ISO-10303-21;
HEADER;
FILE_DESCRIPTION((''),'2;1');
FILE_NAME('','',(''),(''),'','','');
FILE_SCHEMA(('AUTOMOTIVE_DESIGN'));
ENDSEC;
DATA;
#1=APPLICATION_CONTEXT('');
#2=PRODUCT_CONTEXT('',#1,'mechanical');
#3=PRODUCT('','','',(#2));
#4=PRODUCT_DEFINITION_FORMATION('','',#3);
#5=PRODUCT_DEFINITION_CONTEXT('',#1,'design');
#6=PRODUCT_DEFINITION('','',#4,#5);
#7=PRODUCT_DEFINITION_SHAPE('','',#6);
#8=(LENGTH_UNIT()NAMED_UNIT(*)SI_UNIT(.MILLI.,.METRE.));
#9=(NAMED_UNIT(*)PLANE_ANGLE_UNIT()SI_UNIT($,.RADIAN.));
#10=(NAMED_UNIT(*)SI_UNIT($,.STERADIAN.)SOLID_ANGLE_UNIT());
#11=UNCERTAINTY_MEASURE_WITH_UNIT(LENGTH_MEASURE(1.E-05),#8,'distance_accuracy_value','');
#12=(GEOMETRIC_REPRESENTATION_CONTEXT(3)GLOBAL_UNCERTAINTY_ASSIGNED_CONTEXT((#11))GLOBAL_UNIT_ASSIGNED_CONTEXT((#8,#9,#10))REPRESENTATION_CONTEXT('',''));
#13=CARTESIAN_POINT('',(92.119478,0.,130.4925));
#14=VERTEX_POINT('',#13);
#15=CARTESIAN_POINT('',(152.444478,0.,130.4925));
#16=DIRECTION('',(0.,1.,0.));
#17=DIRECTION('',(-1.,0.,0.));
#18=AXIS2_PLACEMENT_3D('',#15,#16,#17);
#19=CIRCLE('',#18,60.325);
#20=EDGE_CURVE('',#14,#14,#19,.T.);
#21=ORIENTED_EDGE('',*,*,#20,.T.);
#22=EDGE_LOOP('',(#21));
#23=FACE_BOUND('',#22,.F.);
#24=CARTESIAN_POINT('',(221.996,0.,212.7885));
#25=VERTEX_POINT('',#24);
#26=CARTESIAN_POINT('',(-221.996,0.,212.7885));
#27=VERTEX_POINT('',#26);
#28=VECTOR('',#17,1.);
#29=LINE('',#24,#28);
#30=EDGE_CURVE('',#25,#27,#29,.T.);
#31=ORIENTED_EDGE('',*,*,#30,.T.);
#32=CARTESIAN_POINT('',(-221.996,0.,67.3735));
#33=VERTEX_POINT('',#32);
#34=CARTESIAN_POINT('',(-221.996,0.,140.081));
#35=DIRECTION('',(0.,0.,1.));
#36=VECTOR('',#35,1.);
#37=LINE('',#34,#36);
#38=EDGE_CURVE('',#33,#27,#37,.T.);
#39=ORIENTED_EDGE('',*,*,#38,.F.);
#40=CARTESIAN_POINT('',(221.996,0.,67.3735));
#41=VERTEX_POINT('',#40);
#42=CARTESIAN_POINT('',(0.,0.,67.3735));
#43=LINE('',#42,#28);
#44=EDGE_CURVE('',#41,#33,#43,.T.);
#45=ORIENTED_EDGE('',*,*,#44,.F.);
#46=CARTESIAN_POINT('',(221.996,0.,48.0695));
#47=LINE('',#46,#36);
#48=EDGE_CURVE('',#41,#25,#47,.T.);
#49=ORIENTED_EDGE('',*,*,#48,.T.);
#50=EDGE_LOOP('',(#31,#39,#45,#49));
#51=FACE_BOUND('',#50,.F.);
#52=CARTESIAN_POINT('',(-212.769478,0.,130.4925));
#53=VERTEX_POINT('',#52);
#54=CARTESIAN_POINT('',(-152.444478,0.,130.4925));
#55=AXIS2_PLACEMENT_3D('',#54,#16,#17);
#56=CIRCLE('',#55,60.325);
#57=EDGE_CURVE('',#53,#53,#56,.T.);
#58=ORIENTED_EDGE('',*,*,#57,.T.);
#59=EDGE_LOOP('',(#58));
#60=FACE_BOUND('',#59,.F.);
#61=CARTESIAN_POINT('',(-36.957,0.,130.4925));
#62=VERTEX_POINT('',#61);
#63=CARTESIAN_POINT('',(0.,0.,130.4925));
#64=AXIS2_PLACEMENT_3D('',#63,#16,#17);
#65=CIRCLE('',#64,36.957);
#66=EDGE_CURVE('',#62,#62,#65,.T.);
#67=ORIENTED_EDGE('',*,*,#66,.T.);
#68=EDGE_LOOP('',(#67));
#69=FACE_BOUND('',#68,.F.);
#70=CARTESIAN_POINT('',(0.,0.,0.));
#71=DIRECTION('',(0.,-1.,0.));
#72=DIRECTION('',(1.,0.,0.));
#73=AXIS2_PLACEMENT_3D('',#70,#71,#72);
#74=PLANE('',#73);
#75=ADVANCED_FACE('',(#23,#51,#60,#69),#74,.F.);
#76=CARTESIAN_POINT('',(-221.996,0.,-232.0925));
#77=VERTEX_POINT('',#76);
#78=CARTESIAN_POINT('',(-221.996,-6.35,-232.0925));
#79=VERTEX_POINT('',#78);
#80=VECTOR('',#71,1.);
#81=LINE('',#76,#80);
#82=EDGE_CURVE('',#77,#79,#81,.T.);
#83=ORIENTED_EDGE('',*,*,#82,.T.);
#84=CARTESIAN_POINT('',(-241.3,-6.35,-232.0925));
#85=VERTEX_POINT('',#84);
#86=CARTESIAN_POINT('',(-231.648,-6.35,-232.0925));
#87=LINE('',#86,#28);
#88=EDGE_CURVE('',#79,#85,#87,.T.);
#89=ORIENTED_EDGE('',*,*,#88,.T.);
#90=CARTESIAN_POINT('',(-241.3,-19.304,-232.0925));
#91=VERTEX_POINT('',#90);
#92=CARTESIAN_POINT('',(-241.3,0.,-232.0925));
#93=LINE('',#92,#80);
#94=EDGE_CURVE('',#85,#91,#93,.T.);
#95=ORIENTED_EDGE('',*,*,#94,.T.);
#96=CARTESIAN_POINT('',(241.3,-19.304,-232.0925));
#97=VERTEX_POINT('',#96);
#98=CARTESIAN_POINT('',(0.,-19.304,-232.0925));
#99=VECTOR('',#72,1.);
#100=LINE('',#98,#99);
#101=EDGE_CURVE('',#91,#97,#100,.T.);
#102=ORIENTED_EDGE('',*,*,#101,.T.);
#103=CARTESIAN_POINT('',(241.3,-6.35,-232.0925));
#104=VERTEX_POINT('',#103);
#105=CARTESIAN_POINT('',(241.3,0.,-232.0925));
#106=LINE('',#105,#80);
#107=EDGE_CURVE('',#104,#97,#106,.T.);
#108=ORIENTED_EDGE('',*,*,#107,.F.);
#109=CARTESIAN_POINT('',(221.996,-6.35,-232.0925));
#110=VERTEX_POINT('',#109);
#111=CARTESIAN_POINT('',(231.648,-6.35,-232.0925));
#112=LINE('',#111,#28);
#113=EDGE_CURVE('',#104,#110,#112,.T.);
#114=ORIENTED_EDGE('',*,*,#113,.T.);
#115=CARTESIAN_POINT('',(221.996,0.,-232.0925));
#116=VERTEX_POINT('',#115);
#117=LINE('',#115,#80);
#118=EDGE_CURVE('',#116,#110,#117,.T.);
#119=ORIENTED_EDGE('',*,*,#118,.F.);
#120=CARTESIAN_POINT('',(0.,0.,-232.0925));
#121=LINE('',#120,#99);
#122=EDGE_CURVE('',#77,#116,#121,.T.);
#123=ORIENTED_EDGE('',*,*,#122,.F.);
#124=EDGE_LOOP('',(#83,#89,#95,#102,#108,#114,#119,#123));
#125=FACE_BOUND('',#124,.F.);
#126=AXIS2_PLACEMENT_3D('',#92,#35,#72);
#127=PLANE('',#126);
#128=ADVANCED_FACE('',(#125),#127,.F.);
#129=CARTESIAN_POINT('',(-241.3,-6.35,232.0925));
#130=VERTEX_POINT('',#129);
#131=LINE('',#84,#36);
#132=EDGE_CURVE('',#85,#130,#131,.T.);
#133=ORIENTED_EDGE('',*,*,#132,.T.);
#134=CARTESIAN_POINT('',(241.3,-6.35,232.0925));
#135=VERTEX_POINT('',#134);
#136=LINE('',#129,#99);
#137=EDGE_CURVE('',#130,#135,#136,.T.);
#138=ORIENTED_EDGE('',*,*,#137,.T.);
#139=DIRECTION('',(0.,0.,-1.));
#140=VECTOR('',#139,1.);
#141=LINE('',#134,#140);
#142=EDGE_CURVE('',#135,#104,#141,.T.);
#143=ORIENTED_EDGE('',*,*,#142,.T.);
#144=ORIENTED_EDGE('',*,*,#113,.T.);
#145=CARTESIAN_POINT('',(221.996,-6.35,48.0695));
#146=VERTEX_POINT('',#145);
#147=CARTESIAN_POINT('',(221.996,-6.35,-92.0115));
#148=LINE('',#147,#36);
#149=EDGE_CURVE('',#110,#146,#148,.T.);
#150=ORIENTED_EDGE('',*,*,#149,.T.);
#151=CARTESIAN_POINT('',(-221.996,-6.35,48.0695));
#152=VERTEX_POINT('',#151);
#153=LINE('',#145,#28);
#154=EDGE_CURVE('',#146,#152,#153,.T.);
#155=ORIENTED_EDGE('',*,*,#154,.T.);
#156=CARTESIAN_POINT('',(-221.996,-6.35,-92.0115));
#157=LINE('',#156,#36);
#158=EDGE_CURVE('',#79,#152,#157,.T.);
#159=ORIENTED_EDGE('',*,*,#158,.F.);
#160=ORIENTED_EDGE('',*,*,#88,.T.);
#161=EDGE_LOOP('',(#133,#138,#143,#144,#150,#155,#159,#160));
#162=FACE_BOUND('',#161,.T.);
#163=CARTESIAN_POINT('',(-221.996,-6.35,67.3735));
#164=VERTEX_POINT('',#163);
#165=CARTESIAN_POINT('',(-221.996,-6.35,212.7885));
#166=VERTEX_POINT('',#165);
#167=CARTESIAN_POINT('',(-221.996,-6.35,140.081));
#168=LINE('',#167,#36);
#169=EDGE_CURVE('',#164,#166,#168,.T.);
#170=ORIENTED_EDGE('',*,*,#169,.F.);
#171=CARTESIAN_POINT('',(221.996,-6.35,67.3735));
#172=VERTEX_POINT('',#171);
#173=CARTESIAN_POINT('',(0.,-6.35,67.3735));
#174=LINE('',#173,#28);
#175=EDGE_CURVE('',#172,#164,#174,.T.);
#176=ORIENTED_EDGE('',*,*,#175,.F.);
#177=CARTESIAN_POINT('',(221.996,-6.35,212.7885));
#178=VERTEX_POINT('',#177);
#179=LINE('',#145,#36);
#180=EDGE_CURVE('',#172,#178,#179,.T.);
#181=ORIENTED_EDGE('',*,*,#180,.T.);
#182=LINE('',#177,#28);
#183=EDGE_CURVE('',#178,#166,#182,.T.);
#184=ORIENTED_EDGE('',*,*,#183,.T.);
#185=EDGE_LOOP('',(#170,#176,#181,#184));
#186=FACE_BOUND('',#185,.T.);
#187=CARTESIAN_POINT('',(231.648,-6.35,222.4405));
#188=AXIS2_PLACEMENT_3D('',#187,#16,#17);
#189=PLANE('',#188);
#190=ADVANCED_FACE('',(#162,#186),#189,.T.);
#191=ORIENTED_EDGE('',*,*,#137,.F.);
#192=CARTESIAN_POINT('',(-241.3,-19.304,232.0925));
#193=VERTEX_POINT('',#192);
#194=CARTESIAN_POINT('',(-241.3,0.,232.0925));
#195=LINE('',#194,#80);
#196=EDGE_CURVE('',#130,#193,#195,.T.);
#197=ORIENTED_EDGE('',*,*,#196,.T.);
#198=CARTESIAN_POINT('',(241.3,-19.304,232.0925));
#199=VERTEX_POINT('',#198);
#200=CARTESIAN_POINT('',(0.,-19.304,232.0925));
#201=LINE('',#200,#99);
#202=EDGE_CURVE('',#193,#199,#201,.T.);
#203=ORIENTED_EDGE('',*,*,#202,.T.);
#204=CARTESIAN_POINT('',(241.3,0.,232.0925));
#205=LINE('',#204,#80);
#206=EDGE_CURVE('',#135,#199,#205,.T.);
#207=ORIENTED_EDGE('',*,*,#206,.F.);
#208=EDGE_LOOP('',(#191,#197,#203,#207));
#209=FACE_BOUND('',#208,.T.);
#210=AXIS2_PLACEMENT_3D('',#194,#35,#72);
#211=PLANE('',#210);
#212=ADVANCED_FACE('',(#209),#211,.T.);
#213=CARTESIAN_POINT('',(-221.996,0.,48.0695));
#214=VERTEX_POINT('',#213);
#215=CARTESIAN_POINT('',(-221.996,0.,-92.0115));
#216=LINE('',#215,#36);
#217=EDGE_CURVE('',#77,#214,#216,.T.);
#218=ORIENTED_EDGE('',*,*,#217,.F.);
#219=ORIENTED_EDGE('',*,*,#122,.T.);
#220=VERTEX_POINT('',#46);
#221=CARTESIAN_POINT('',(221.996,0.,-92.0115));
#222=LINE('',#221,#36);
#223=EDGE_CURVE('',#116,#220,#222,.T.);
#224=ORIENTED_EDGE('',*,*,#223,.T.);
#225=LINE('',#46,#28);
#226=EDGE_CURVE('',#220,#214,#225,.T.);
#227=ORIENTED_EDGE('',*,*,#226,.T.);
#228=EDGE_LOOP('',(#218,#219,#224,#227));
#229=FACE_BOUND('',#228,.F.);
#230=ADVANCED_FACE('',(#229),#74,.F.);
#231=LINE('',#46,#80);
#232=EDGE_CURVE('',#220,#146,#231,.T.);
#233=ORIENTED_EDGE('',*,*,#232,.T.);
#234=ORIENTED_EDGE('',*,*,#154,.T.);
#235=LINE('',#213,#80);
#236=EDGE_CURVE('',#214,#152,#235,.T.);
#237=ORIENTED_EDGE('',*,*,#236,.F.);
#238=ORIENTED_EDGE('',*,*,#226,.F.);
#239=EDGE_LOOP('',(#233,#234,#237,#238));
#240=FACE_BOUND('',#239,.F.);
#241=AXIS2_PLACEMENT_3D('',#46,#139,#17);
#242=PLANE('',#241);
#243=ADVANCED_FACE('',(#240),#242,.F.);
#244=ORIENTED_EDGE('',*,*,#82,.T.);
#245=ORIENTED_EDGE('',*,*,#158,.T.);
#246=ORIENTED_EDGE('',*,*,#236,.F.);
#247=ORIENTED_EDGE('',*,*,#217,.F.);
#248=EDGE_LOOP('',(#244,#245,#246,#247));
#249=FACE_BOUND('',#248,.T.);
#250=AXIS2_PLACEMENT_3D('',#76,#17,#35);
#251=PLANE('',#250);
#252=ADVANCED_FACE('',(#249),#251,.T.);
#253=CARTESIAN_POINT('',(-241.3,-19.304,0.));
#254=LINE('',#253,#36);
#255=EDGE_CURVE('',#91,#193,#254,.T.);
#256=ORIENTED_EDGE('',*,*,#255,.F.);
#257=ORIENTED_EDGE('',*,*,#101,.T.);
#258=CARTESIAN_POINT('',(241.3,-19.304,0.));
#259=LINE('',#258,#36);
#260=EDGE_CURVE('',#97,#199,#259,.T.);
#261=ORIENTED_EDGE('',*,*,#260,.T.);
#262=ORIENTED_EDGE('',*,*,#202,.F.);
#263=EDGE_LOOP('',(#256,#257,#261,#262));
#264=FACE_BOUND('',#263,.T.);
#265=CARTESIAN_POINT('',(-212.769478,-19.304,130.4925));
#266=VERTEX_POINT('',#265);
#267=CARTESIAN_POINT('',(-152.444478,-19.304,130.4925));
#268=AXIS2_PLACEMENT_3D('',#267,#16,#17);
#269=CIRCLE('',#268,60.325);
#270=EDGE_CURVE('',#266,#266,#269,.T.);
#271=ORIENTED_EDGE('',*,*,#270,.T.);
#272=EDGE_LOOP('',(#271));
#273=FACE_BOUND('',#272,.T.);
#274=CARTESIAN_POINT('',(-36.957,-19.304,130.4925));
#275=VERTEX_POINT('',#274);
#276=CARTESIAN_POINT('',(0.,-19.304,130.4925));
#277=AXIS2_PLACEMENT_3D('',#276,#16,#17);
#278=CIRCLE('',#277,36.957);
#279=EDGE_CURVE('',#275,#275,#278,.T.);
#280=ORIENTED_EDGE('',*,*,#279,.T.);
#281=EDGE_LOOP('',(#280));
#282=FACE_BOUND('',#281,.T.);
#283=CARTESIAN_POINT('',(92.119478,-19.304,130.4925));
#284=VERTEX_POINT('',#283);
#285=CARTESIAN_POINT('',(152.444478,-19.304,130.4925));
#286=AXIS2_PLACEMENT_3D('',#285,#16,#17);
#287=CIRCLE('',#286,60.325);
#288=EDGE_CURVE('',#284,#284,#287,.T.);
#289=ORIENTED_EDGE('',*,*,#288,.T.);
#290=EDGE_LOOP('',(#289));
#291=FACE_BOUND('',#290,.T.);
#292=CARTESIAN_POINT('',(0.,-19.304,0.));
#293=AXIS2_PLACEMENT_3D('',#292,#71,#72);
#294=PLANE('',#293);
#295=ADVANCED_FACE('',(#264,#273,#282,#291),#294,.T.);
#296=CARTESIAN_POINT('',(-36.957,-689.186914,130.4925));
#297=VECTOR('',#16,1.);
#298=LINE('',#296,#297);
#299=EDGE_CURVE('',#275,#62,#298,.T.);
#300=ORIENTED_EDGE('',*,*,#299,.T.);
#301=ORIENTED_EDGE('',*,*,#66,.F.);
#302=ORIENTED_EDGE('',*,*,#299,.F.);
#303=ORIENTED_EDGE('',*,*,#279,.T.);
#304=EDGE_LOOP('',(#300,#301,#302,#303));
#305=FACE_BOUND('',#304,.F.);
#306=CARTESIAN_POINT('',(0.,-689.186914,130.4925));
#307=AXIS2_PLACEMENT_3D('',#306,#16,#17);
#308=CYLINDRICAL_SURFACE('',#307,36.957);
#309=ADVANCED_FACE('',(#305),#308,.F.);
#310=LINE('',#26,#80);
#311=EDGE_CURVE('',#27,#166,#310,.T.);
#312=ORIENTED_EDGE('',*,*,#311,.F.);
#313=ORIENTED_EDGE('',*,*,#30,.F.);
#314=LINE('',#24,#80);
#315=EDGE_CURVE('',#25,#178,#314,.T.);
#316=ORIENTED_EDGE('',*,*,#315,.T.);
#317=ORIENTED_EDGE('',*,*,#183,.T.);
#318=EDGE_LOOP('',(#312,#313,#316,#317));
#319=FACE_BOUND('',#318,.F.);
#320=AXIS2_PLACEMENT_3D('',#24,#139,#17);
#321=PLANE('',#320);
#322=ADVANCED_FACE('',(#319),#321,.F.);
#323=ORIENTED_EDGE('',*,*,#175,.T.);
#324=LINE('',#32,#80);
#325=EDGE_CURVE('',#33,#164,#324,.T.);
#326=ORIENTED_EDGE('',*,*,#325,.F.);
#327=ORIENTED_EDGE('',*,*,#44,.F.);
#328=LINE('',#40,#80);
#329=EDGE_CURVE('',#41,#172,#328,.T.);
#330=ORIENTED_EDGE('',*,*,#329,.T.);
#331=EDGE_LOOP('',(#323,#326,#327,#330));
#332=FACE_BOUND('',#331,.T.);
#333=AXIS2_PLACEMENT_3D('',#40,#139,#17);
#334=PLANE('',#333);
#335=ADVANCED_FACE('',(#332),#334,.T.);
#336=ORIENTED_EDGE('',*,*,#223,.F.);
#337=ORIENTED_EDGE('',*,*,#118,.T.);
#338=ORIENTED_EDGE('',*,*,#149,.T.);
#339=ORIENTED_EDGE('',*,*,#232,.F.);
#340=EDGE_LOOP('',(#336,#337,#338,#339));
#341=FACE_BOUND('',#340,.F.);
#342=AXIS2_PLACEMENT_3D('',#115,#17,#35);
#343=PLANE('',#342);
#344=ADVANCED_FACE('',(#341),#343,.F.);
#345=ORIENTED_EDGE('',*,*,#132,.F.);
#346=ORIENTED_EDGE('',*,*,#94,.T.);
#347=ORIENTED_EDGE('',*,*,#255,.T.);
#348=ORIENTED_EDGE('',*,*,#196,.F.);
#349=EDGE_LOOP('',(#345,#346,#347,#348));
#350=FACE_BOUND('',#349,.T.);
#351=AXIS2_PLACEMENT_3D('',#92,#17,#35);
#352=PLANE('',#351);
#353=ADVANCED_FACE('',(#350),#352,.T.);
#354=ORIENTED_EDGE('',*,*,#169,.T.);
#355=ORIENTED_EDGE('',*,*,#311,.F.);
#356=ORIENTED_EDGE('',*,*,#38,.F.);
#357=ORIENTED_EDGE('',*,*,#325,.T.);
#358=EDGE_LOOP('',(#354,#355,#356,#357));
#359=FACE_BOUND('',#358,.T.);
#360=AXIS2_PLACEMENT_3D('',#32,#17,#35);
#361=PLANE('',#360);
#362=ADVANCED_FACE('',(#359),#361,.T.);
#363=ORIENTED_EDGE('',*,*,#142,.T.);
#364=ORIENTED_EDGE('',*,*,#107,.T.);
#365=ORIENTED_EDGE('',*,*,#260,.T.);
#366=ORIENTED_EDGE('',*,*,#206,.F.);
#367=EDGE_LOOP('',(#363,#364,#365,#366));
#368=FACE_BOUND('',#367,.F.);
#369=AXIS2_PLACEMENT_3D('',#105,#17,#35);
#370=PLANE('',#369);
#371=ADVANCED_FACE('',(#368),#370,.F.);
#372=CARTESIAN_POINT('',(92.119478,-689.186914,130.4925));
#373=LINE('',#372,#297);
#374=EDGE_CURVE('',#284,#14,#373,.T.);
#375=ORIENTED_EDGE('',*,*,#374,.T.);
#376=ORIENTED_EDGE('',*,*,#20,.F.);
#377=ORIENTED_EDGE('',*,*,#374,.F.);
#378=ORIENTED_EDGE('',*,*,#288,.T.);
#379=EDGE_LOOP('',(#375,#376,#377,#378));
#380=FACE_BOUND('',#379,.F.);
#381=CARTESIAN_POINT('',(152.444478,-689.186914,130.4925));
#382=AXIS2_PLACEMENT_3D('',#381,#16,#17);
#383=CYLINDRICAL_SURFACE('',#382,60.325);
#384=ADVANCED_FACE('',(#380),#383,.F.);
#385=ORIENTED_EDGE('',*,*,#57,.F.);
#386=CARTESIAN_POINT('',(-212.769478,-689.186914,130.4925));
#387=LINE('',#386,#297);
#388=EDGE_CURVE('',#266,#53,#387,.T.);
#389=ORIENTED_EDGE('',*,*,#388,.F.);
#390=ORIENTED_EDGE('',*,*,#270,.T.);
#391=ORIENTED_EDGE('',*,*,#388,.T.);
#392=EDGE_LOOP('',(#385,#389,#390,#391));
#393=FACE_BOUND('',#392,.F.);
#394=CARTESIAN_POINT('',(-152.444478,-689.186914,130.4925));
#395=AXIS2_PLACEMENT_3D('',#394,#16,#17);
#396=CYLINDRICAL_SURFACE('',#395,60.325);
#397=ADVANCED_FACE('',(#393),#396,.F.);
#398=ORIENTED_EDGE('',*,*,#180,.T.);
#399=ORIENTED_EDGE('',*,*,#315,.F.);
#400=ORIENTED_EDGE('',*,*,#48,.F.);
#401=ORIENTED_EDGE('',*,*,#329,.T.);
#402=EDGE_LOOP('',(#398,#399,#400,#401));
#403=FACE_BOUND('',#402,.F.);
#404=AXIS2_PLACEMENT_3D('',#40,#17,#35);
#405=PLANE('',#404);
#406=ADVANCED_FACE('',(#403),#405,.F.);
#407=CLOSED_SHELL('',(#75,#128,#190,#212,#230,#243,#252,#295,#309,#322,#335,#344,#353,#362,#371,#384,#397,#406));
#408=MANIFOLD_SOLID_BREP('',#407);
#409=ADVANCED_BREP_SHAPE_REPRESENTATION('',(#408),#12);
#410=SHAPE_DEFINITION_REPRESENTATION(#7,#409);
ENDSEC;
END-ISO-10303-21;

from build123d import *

# Parameters (mm, degrees)
F0_W     = 482.6
F0_H     = 464.185
F1_DEPTH = 19.304
F3_D     = 73.914
F4_D     = 120.65
F5_W     = 19.304
F5_H     = 19.304
F5_W_2   = 443.992
F5_H_2   = 145.415
F5_H_3   = 280.162
F6_DEPTH = 6.35


with BuildPart() as f1:
    # F0 (on Front) → F1 (new body)
    with BuildSketch(Plane.XZ):
        Rectangle(F0_W, F0_H)
    extrude(amount=F1_DEPTH)

    # F3 (through all)
    with Locations(Plane.XZ.offset(19.304)):
        with Locations((0, 130.4925)):
            Hole(F3_D / 2)

    # F4 (through all)
    with Locations(Plane.XZ.offset(19.304)):
        with Locations((-152.444478, 130.4925), (152.444478, 130.4925)):
            Hole(F4_D / 2)

    # F5 (on face) → F6 (cut)
    with BuildSketch(Plane(origin=(0, 0, 0), x_dir=(-1, 0, 0), z_dir=(0, 1, 0))):
        with Locations((-231.648, 222.4405)):
            Rectangle(F5_W, F5_H)
        with Locations((0, 222.4405)):
            Rectangle(F5_W_2, F5_H)
        with Locations((-231.648, 140.081)):
            Rectangle(F5_W, F5_H_2)
        with Locations((231.648, 222.4405)):
            Rectangle(F5_W, F5_H)
        with Locations((-231.648, 57.7215)):
            Rectangle(F5_W, F5_H)
        with Locations((0, 57.7215)):
            Rectangle(F5_W_2, F5_H)
        with Locations((231.648, 140.081)):
            Rectangle(F5_W, F5_H_2)
        with Locations((-231.648, -92.0115)):
            Rectangle(F5_W, F5_H_3)
        with Locations((231.648, 57.7215)):
            Rectangle(F5_W, F5_H)
        with Locations((231.648, -92.0115)):
            Rectangle(F5_W, F5_H_3)
    extrude(amount=-F6_DEPTH, mode=Mode.SUBTRACT)


solid = f1.part
